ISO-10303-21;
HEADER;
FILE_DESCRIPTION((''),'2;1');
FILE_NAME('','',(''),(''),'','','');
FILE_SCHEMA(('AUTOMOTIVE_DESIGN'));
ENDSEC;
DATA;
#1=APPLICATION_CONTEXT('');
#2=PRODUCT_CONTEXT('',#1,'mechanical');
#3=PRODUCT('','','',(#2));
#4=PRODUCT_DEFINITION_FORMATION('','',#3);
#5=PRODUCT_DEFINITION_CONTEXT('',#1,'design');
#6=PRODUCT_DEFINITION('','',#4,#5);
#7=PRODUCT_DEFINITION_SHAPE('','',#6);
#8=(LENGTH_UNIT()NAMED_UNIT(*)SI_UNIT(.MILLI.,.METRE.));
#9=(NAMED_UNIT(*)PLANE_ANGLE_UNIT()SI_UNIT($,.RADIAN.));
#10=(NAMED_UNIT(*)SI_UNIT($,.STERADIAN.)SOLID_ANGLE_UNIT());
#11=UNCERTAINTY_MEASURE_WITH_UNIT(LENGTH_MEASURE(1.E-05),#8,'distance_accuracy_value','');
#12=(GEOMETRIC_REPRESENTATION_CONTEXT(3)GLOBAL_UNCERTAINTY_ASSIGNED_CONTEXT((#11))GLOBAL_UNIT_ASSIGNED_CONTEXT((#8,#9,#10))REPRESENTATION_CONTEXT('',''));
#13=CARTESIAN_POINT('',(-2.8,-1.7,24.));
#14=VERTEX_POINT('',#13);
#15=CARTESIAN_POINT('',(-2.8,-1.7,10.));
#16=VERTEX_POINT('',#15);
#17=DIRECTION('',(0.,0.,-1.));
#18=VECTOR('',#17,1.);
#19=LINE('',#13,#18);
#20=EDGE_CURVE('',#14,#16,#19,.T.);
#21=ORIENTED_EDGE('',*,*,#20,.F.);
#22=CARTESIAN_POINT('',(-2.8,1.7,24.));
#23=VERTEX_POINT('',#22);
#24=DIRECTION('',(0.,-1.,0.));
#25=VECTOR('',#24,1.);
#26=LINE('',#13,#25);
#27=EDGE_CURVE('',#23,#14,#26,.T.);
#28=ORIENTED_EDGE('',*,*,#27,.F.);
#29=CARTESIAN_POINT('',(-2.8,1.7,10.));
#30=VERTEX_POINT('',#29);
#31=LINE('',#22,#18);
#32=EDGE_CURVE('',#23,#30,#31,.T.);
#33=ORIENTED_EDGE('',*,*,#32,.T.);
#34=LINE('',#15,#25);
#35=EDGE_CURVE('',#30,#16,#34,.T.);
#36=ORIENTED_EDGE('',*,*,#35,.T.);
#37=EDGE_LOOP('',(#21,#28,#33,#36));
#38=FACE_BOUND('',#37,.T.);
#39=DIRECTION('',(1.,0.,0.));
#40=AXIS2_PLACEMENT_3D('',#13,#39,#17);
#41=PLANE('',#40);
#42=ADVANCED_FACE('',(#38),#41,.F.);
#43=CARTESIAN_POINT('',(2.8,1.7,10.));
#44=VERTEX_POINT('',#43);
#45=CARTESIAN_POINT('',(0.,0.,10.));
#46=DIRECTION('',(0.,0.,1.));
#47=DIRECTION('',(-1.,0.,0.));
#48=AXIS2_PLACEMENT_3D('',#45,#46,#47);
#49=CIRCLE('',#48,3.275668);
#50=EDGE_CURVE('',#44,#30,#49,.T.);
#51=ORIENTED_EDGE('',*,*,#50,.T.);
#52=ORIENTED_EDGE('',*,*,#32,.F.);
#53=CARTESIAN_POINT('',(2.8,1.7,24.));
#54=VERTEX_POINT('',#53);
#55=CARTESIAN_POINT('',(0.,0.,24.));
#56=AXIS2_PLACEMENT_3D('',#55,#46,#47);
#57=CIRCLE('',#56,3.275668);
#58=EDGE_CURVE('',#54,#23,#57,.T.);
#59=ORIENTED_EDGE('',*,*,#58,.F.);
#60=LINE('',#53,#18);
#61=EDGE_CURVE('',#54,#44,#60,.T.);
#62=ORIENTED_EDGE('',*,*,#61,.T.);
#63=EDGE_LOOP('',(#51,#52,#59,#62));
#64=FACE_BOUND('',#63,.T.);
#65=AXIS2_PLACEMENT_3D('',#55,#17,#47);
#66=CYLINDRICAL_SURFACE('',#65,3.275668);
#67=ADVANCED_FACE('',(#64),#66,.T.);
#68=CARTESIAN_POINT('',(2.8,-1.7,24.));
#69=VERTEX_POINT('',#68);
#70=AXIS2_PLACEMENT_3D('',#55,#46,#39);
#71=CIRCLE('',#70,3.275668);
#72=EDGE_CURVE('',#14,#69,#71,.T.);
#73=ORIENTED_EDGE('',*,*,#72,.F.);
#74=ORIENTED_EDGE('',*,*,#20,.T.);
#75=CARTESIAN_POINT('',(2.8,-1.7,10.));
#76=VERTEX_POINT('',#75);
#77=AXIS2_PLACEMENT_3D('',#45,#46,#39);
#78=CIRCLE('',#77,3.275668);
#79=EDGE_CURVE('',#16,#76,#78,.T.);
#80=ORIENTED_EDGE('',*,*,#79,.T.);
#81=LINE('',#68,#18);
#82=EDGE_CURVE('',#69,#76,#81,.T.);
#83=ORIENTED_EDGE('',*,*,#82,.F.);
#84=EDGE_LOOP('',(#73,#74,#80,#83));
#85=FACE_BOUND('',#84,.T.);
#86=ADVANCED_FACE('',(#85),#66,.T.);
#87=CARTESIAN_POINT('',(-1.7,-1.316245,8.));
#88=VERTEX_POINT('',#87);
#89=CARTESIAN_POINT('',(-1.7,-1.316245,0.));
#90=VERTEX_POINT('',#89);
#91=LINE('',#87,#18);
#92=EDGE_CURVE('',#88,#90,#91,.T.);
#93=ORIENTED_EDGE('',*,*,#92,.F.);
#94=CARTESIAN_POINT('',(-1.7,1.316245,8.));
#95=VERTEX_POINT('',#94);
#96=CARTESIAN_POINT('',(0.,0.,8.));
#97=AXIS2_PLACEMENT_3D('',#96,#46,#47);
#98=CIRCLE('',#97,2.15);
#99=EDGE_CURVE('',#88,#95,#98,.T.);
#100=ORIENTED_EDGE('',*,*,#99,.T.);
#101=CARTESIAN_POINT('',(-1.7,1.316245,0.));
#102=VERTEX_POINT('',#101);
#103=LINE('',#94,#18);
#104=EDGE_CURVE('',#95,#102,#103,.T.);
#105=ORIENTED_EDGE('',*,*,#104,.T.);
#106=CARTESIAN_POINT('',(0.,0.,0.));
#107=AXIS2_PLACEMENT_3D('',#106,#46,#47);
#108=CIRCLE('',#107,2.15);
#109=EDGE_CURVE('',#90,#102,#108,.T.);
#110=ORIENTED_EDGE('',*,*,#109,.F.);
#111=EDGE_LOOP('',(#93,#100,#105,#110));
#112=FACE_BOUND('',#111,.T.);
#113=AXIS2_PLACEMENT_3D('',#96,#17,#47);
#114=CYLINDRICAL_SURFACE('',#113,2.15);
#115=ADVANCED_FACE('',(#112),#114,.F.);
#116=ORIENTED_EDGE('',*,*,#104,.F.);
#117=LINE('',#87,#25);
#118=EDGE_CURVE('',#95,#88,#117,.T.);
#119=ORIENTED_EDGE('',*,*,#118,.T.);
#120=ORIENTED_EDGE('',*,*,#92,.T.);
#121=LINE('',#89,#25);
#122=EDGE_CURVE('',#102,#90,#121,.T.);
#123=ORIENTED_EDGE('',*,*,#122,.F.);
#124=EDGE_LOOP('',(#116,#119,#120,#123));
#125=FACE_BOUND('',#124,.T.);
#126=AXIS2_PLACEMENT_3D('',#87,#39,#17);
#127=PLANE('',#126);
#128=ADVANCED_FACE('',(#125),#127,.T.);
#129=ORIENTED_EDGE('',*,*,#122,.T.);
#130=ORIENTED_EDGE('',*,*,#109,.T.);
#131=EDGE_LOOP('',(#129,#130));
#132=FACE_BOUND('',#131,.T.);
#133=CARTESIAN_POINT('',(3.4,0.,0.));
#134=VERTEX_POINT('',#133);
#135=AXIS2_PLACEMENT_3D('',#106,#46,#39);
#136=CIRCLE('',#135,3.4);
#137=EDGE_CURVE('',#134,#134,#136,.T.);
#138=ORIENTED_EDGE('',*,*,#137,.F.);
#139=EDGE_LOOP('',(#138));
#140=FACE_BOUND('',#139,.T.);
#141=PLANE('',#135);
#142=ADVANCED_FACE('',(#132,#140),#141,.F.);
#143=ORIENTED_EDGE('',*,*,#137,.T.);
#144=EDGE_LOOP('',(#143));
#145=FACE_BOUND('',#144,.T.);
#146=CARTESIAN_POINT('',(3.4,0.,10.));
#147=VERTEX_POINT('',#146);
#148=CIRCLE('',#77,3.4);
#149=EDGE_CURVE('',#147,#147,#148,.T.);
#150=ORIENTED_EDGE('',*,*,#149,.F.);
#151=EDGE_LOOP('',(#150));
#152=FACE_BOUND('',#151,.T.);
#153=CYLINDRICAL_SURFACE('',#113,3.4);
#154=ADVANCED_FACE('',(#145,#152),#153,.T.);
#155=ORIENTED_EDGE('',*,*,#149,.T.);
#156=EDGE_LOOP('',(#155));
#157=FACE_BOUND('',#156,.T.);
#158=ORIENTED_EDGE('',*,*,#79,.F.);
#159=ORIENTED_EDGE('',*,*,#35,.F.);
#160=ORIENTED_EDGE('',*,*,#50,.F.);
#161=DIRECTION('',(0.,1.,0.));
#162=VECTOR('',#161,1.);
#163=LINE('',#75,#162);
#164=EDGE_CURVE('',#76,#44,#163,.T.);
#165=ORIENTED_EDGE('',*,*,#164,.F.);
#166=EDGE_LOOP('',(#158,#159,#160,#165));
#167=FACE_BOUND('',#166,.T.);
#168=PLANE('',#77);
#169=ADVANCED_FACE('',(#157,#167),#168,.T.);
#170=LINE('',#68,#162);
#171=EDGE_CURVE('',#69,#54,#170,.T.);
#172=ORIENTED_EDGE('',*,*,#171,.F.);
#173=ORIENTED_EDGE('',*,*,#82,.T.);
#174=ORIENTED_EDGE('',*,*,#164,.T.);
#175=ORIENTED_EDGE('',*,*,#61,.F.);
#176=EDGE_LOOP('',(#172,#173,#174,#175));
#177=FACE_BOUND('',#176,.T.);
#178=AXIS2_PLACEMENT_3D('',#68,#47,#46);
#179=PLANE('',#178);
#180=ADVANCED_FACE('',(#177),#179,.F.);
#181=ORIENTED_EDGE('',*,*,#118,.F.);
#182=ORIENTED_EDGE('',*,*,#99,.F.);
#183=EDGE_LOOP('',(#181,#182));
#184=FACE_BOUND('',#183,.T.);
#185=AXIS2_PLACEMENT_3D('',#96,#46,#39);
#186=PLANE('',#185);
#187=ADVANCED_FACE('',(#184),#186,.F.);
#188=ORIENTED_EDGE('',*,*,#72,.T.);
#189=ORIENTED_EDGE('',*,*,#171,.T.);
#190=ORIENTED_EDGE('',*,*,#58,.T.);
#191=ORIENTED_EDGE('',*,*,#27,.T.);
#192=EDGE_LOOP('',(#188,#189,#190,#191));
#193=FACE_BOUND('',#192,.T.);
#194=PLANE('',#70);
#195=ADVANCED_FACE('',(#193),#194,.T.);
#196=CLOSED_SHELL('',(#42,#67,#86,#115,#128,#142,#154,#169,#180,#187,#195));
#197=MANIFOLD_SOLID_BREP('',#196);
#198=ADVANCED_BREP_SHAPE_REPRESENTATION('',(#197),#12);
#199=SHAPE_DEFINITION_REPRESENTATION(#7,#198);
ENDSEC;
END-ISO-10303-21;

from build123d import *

# Parameters (mm, degrees)
SKETCH2_R           = 3.4
BOSS_EXTRUDE1_DEPTH = 8
SKETCH3_R           = 3.4
BOSS_EXTRUDE2_DEPTH = 2
BOSS_EXTRUDE3_DEPTH = 14


with BuildPart() as part:
    # Sketch2 → Boss-Extrude1 (new body)
    with BuildSketch(Plane.XY):
        Circle(SKETCH2_R)
        with BuildLine():
            Line((-1.7, -1.316244658), (-1.7, 1.316244658))
            ThreePointArc((-1.7, 1.316244658), (2.15, 0), (-1.7, -1.316244658))
        make_face(mode=Mode.SUBTRACT)
    extrude(amount=BOSS_EXTRUDE1_DEPTH)

    # Sketch3 → Boss-Extrude2 (add)
    with BuildSketch(Plane.XY.offset(8)):
        Circle(SKETCH3_R)
    extrude(amount=BOSS_EXTRUDE2_DEPTH)

    # Sketch4 → Boss-Extrude3 (add)
    with BuildSketch(Plane.XY.offset(10)):
        with BuildLine():
            Line((-2.8, -1.7), (-2.8, 1.7))
            ThreePointArc((-2.8, 1.7), (0, 3.275667871), (2.8, 1.7))
            Line((2.8, 1.7), (2.8, -1.7))
            ThreePointArc((2.8, -1.7), (0, -3.275667871), (-2.8, -1.7))
        make_face()
    extrude(amount=BOSS_EXTRUDE3_DEPTH)


solid = part.part
